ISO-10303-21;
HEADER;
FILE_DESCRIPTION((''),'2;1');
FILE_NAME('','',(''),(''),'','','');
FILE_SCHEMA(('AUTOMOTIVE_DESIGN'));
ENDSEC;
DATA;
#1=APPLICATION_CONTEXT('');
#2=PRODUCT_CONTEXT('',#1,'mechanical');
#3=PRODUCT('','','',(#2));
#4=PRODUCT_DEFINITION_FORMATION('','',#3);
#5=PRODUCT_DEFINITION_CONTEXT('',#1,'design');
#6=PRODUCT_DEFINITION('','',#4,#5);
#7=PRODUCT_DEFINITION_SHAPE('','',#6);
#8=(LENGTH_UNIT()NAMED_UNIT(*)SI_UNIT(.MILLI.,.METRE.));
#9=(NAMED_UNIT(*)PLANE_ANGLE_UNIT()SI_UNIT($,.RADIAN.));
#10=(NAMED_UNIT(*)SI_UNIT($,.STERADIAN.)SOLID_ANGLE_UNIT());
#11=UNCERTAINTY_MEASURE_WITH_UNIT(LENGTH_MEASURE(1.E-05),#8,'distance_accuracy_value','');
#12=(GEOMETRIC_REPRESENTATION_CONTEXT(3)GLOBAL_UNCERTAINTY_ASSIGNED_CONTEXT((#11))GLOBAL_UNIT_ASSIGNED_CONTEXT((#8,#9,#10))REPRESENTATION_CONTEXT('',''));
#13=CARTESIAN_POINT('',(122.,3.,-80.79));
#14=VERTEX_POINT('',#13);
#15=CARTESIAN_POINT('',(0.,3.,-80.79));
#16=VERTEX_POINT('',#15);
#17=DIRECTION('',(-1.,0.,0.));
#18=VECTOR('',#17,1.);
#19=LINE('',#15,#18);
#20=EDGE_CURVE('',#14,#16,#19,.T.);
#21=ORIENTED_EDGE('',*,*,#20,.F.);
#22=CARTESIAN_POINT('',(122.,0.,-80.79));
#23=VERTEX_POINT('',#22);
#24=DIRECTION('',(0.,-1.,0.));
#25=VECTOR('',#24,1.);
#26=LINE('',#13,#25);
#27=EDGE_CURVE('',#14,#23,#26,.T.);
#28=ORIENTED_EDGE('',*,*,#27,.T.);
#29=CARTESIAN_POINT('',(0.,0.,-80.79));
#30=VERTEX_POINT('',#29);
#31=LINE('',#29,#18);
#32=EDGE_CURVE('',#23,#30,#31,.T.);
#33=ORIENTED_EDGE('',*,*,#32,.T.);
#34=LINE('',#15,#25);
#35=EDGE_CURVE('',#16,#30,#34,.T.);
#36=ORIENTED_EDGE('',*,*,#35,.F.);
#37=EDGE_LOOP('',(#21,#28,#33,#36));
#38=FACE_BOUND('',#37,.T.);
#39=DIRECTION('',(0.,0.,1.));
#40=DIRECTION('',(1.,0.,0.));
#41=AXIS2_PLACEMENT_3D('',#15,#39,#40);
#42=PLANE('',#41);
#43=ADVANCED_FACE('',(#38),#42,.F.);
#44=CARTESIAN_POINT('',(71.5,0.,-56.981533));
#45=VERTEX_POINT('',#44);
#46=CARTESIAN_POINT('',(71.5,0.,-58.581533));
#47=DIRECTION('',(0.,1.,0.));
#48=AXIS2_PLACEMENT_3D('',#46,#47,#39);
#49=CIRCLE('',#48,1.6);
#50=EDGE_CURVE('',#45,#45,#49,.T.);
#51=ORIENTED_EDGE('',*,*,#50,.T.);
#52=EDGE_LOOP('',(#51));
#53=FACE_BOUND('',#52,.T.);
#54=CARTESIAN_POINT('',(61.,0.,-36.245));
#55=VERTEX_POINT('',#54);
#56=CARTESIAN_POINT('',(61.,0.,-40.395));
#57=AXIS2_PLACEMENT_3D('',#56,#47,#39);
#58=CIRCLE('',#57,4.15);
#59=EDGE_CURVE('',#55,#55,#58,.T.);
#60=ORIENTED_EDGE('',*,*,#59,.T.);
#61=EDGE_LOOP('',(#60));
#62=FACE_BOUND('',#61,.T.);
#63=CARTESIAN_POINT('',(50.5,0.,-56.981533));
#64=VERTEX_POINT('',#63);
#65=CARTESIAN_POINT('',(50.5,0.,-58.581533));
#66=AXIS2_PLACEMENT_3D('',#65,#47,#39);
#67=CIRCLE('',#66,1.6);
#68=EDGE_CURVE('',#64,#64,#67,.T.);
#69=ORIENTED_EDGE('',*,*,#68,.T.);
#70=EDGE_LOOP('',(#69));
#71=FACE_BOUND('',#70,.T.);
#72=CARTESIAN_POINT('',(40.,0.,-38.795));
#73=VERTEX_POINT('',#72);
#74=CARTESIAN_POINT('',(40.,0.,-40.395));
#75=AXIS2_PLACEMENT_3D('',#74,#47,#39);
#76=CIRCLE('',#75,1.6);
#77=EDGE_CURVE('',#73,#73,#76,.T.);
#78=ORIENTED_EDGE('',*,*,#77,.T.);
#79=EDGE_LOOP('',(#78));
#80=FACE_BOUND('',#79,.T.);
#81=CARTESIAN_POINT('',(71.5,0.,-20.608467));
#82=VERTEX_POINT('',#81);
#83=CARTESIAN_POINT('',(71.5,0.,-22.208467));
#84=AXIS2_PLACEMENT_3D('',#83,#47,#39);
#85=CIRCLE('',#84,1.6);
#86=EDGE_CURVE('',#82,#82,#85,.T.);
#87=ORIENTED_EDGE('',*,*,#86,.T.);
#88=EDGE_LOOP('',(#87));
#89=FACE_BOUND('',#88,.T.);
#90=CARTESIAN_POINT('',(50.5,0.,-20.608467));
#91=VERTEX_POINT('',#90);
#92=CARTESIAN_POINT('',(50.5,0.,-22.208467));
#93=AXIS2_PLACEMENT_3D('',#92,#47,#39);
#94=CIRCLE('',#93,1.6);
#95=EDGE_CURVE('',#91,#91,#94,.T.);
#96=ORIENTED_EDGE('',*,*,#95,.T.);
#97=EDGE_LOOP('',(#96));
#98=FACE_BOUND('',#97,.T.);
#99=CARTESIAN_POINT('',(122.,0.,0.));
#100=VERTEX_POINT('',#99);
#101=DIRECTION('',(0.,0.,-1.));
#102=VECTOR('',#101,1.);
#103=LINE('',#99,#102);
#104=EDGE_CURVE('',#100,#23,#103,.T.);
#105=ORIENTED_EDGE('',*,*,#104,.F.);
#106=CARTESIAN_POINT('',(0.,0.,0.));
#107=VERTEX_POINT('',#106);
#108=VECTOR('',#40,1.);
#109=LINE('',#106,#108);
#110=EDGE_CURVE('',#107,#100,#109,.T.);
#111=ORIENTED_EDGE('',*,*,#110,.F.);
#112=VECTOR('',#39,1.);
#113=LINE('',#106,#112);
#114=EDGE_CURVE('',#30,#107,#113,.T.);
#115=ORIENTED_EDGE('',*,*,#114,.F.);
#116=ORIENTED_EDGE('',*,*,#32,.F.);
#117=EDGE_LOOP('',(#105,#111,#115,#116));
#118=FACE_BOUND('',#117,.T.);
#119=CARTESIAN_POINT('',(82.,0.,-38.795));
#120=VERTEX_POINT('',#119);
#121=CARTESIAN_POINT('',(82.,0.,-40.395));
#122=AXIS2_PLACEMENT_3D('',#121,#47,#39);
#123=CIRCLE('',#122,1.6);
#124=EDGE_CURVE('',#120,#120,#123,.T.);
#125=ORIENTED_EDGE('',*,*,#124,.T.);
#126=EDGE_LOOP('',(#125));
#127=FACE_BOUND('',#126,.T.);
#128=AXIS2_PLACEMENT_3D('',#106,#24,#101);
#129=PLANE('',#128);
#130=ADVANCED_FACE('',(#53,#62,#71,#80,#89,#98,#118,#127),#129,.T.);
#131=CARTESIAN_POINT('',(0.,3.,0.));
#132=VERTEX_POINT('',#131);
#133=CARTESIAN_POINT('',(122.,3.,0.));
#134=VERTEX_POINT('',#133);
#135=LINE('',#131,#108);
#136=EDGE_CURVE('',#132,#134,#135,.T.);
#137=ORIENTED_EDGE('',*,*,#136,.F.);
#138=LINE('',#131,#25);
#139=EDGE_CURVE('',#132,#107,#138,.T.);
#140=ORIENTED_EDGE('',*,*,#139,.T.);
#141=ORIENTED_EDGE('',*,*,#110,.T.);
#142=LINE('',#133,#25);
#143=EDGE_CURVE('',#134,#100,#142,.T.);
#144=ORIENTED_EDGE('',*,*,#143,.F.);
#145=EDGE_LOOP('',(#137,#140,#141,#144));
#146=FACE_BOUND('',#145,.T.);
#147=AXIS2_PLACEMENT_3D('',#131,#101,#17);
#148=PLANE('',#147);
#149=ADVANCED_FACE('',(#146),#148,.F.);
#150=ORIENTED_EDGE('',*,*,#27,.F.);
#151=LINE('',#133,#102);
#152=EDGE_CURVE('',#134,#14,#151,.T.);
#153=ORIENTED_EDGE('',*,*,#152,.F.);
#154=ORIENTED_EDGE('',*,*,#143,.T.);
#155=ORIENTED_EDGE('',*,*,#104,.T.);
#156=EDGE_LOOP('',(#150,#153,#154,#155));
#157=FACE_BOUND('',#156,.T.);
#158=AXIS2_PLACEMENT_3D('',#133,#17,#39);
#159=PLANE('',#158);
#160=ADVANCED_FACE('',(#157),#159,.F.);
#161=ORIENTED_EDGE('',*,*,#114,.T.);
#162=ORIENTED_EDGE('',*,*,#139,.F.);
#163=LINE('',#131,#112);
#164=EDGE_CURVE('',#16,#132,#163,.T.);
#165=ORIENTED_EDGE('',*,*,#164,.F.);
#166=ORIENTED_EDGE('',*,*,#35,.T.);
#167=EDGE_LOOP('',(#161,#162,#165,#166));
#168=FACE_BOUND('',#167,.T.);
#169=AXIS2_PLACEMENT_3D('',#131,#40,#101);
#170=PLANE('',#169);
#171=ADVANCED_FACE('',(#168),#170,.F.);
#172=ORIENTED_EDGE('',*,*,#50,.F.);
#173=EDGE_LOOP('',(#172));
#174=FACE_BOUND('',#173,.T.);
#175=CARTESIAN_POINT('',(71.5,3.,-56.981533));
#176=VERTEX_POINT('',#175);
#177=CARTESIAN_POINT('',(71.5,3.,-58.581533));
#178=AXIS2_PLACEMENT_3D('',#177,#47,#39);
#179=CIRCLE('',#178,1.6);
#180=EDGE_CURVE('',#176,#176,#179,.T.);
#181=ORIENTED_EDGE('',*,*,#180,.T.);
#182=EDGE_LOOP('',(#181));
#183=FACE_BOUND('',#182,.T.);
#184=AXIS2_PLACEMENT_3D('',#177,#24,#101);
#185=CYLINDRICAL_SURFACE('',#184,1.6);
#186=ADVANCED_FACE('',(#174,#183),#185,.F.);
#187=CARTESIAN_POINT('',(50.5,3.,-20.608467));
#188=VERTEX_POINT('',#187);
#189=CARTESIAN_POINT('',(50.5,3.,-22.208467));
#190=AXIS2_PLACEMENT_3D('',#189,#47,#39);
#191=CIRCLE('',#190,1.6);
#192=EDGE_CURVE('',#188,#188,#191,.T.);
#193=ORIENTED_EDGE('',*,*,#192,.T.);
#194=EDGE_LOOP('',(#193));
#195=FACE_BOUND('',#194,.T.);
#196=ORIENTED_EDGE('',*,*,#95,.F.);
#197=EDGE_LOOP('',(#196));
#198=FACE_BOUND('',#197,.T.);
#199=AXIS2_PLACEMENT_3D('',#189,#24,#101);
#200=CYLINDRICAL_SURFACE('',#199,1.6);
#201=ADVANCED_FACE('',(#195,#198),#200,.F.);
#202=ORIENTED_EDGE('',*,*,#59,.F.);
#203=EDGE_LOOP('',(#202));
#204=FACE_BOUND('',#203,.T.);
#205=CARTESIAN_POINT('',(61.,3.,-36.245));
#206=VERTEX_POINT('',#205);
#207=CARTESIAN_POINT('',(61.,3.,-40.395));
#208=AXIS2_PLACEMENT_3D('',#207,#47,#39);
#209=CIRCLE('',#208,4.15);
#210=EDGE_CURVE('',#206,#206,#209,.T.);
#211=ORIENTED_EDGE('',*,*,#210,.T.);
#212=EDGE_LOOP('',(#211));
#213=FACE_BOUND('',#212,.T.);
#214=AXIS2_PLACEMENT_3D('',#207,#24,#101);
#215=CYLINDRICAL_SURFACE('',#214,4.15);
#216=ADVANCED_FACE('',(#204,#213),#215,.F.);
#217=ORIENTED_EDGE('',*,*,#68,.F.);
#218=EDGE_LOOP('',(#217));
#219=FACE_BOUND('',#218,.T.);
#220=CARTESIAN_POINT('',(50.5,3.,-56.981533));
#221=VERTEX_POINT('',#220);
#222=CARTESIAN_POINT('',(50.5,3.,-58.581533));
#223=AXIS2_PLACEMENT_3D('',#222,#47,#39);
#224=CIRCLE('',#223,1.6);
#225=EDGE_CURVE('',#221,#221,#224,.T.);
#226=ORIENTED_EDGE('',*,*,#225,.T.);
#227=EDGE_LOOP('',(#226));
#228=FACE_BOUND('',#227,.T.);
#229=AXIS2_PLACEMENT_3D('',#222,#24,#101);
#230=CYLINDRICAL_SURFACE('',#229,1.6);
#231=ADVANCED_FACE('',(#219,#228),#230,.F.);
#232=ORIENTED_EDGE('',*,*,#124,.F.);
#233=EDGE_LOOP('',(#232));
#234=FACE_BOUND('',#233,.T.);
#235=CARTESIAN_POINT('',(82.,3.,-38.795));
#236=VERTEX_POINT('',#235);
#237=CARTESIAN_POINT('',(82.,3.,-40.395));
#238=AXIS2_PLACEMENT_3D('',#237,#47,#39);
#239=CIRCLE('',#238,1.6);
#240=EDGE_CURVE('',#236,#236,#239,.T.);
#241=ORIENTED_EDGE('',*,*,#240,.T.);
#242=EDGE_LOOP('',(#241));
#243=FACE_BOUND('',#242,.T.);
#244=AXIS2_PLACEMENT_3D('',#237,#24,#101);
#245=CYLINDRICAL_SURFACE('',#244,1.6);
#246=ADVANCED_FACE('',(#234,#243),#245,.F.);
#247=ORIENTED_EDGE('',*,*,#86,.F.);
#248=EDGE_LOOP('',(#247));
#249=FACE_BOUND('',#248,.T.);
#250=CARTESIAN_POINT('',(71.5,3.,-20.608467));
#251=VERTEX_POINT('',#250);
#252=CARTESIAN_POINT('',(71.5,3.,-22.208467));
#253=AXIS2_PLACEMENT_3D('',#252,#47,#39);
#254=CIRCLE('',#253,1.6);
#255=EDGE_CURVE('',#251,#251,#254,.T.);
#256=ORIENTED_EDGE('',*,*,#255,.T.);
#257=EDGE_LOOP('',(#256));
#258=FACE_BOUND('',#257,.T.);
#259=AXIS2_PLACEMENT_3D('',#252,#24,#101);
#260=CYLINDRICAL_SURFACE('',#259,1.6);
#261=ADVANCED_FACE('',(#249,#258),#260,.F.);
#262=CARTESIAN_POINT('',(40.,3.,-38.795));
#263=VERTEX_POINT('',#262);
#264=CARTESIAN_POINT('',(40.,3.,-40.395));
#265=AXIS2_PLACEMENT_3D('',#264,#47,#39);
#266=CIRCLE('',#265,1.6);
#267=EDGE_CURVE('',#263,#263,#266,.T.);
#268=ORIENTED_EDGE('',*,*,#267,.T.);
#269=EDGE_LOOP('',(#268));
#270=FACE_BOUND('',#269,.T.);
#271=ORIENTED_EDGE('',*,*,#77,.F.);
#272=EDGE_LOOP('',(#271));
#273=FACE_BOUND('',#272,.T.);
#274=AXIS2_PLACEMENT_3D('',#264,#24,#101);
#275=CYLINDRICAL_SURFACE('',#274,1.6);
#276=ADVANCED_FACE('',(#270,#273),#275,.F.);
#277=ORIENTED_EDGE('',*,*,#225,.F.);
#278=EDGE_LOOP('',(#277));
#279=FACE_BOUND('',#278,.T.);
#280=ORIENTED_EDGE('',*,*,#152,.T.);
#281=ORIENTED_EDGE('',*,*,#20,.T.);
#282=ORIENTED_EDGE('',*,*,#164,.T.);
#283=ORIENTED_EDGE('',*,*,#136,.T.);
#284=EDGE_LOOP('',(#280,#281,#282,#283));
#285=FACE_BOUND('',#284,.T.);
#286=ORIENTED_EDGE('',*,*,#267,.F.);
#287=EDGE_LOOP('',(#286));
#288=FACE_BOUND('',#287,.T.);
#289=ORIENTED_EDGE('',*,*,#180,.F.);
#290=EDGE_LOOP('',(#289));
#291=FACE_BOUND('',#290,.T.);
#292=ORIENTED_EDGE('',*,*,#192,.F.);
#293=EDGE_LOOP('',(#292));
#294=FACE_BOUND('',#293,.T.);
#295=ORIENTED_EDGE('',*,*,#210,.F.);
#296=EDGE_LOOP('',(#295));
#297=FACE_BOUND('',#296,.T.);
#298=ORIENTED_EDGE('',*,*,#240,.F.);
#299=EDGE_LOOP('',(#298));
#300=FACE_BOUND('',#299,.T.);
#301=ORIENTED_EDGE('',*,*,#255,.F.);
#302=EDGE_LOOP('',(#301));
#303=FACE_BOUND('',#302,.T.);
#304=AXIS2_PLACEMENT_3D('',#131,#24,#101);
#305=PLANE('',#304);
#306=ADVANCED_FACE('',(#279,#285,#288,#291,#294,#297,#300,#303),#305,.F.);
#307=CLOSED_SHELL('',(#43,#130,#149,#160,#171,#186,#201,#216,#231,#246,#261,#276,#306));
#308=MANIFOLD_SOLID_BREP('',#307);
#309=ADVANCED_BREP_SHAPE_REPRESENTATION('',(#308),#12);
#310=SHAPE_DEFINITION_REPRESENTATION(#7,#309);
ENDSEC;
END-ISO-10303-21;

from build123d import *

# Parameters (mm, degrees)
SKETCH1_W           = 122
SKETCH1_H           = 80.79
SKETCH1_R           = 1.6
SKETCH1_R_2         = 4.15
BOSS_EXTRUDE1_DEPTH = 3


with BuildPart() as part:
    # Sketch1 → Boss-Extrude1 (new body)
    with BuildSketch(Plane(origin=(0, 0, 0), x_dir=(1, 0, 0), z_dir=(0, 1, 0))):
        with Locations((61, 40.395)):
            Rectangle(SKETCH1_W, SKETCH1_H)
        with Locations(Location((40, 40.395, 0), (0, 0, 270))):
            Circle(SKETCH1_R, mode=Mode.SUBTRACT)
        with Locations(Location((50.5, 58.581533479, 0), (0, 0, 270))):
            Circle(SKETCH1_R, mode=Mode.SUBTRACT)
        with Locations(Location((71.5, 58.581533479, 0), (0, 0, 270))):
            Circle(SKETCH1_R, mode=Mode.SUBTRACT)
        with Locations(Location((82, 40.395, 0), (0, 0, 270))):
            Circle(SKETCH1_R, mode=Mode.SUBTRACT)
        with Locations(Location((61, 40.395, 0), (0, 0, 270))):
            Circle(SKETCH1_R_2, mode=Mode.SUBTRACT)
        with Locations(Location((71.5, 22.208466521, 0), (0, 0, 270))):
            Circle(SKETCH1_R, mode=Mode.SUBTRACT)
        with Locations(Location((50.5, 22.208466521, 0), (0, 0, 270))):
            Circle(SKETCH1_R, mode=Mode.SUBTRACT)
    extrude(amount=BOSS_EXTRUDE1_DEPTH)


solid = part.part
